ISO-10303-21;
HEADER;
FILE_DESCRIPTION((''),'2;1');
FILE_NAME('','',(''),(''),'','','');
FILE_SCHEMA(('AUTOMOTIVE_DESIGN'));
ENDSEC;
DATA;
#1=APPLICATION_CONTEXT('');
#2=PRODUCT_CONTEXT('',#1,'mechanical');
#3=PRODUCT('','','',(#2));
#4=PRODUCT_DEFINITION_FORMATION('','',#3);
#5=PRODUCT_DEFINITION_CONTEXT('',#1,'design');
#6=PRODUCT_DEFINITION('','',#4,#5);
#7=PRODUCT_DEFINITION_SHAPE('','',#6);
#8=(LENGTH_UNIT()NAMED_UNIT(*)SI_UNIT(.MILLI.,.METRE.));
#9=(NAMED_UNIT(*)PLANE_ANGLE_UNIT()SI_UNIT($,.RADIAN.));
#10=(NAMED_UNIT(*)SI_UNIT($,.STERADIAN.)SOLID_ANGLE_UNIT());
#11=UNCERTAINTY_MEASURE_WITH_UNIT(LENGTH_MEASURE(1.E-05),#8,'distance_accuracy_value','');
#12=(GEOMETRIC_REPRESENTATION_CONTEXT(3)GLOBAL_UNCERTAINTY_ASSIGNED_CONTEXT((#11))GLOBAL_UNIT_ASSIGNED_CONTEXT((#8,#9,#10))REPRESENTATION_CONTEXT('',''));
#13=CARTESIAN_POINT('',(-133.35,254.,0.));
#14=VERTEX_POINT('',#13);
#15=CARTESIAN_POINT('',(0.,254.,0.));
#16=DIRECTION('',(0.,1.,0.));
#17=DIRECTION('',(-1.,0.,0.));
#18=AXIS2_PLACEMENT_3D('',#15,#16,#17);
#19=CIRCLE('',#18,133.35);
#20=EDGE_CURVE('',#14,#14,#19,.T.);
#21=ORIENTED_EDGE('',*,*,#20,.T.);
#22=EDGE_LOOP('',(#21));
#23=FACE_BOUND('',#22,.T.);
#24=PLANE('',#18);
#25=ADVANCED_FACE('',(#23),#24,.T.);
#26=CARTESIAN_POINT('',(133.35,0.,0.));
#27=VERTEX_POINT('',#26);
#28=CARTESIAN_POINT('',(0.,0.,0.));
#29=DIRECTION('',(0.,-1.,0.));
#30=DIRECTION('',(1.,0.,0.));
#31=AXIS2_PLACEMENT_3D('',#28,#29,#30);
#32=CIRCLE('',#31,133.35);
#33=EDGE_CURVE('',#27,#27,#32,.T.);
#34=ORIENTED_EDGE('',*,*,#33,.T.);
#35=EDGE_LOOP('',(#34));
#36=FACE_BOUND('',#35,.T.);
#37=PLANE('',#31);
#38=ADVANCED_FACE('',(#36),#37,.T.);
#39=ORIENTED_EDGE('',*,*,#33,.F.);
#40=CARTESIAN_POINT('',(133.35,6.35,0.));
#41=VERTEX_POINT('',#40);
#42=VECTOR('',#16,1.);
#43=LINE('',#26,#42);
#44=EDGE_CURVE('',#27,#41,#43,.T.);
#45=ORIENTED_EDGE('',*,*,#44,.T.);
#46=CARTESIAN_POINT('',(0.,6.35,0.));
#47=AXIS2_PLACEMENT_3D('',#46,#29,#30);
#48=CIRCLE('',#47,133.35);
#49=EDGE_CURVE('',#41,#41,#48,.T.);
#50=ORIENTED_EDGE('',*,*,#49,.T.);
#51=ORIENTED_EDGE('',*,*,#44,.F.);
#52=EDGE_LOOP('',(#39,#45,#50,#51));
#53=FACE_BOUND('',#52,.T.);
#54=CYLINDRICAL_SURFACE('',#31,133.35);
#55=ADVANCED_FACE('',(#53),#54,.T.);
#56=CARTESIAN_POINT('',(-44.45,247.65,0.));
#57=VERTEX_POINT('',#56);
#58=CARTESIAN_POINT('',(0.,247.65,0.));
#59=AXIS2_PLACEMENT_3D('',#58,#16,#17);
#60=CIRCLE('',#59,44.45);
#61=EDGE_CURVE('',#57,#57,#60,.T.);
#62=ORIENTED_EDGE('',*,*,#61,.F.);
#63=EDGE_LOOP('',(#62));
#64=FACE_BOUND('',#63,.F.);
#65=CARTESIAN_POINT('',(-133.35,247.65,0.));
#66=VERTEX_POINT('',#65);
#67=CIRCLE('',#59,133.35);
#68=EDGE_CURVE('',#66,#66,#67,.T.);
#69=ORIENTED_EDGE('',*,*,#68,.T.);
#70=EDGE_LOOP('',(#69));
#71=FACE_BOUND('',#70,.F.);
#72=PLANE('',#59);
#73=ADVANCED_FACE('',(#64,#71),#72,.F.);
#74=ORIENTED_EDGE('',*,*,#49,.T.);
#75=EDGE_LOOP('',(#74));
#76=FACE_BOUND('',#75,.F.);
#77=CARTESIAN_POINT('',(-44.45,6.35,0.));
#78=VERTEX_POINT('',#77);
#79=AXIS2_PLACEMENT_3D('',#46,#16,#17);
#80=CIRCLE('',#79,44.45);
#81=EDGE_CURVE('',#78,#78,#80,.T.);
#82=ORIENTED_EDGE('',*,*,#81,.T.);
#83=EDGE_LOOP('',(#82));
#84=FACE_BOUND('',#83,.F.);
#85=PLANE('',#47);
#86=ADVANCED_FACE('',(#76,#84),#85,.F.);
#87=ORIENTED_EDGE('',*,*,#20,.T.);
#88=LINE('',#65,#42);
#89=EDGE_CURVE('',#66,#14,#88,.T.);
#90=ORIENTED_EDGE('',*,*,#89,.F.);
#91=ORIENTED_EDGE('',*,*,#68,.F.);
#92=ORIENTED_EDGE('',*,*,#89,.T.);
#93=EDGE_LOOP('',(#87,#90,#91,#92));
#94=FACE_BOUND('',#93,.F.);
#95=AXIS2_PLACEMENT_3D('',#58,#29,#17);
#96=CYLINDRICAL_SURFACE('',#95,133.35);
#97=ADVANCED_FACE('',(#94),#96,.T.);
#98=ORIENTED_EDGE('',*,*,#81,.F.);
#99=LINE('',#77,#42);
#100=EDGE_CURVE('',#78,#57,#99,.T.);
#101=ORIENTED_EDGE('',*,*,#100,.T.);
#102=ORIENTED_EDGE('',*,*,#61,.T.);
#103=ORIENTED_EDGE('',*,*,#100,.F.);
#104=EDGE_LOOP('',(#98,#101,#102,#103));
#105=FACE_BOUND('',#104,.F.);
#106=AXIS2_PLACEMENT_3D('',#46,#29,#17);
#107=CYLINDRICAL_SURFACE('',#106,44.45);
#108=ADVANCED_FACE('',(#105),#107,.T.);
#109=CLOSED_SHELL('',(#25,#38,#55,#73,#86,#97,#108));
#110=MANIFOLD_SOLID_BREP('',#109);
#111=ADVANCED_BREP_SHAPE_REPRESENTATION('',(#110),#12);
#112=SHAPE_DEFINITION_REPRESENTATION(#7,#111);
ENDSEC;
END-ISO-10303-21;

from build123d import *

# Parameters (mm, degrees)
F0_R     = 133.35
F1_DEPTH = 6.35
F2_R     = 44.45
F3_DEPTH = 241.3
F4_R     = 133.35
F4_R_2   = 44.45
F5_DEPTH = 6.35


with BuildPart() as f1:
    # F0 (on Front) → F1 (new body)
    with BuildSketch(Plane.XZ):
        Circle(F0_R)
    extrude(amount=-F1_DEPTH)

    # F2 (on face) → F3 (join)
    with BuildSketch(Plane(origin=(0, 6.35, 0), x_dir=(-1, 0, 0), z_dir=(0, 1, 0))):
        Circle(F2_R)
    extrude(amount=F3_DEPTH)

    # F4 (on face) → F5 (join)
    with BuildSketch(Plane(origin=(0, 247.65, 0), x_dir=(-1, 0, 0), z_dir=(0, 1, 0))):
        Circle(F4_R)
        Circle(F4_R_2, mode=Mode.SUBTRACT)
        Circle(F4_R_2)
    extrude(amount=F5_DEPTH)


solid = f1.part
